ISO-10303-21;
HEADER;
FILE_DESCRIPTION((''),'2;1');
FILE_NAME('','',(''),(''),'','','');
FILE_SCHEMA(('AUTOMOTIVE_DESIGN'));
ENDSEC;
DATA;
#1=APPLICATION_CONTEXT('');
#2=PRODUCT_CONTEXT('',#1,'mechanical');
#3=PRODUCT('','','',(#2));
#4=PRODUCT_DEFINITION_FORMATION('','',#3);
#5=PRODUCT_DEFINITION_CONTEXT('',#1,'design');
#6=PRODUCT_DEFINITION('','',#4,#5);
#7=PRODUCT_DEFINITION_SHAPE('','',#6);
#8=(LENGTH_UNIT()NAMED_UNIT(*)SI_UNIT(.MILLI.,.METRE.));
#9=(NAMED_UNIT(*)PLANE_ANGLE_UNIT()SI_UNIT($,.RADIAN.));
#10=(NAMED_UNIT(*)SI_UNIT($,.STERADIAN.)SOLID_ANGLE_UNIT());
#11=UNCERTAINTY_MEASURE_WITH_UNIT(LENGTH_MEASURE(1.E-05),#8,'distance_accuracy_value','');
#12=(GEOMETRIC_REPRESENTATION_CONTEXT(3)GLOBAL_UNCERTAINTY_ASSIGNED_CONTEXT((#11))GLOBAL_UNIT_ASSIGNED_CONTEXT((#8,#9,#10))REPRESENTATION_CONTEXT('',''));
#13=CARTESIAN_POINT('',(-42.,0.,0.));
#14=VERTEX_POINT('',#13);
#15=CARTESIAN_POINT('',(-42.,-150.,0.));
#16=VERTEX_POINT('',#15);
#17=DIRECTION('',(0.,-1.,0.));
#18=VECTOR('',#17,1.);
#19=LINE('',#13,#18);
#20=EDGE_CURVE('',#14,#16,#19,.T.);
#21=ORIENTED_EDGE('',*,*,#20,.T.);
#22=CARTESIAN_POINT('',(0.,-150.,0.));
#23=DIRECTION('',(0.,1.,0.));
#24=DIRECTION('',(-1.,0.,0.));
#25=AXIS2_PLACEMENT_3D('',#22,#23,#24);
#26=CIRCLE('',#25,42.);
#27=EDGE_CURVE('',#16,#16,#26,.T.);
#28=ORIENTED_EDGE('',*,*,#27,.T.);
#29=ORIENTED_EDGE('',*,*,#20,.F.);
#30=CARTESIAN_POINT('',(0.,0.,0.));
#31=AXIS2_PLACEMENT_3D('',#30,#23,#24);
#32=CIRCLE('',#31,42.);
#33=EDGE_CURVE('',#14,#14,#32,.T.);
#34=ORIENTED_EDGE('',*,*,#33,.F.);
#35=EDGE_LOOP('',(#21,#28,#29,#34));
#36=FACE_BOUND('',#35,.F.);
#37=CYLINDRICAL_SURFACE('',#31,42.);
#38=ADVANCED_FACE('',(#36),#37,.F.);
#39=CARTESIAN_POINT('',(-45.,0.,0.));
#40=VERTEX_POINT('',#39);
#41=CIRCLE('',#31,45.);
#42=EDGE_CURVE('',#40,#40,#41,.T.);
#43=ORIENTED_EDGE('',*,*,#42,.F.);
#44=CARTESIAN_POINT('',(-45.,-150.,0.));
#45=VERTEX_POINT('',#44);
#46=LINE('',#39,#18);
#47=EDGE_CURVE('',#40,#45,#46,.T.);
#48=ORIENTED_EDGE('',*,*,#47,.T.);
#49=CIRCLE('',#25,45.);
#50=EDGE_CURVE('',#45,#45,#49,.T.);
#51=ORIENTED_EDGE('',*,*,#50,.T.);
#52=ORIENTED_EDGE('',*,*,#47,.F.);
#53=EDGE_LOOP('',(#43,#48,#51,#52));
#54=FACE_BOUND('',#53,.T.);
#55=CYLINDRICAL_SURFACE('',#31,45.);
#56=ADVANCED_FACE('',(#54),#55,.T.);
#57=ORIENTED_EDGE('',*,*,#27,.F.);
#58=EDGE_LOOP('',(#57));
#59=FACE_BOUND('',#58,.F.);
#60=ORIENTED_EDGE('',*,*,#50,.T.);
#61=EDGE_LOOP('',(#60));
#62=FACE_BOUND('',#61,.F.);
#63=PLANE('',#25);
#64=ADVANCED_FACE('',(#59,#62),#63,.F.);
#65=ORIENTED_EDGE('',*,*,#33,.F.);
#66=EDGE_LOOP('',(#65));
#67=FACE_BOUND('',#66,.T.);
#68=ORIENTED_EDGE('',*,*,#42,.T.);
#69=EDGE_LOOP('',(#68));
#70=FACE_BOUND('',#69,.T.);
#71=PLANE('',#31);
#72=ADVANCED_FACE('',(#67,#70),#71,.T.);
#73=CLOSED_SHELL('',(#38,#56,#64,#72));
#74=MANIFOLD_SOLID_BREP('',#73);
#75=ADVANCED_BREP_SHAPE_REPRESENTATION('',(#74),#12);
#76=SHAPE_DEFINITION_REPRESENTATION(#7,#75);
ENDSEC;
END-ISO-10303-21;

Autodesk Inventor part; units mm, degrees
ref_plane "YZ Plane" through (0, 0, 0) normal (1, 0, 0) x (0, 1, 0)
ref_plane "XZ Plane" through (0, 0, 0) normal (0, 1, 0) x (-1, 0, 0)
ref_plane "XY Plane" through (0, 0, 0) normal (0, 0, 1) x (1, 0, 0)
sketch "Sketch1" plane through (0, 0, 0) normal (0, 1, 0) x (-1, 0, 0)
  circle A0 centre (0, 0) radius 45
  circle A1 centre (0, 0) radius 42
  dimension "d0" = 90
  dimension "d1" = 3
extrude "Extrusion1" add sketch "Sketch1" against normal blind 150
properties part number "PRS 1614 FDS tube 4_D940"
